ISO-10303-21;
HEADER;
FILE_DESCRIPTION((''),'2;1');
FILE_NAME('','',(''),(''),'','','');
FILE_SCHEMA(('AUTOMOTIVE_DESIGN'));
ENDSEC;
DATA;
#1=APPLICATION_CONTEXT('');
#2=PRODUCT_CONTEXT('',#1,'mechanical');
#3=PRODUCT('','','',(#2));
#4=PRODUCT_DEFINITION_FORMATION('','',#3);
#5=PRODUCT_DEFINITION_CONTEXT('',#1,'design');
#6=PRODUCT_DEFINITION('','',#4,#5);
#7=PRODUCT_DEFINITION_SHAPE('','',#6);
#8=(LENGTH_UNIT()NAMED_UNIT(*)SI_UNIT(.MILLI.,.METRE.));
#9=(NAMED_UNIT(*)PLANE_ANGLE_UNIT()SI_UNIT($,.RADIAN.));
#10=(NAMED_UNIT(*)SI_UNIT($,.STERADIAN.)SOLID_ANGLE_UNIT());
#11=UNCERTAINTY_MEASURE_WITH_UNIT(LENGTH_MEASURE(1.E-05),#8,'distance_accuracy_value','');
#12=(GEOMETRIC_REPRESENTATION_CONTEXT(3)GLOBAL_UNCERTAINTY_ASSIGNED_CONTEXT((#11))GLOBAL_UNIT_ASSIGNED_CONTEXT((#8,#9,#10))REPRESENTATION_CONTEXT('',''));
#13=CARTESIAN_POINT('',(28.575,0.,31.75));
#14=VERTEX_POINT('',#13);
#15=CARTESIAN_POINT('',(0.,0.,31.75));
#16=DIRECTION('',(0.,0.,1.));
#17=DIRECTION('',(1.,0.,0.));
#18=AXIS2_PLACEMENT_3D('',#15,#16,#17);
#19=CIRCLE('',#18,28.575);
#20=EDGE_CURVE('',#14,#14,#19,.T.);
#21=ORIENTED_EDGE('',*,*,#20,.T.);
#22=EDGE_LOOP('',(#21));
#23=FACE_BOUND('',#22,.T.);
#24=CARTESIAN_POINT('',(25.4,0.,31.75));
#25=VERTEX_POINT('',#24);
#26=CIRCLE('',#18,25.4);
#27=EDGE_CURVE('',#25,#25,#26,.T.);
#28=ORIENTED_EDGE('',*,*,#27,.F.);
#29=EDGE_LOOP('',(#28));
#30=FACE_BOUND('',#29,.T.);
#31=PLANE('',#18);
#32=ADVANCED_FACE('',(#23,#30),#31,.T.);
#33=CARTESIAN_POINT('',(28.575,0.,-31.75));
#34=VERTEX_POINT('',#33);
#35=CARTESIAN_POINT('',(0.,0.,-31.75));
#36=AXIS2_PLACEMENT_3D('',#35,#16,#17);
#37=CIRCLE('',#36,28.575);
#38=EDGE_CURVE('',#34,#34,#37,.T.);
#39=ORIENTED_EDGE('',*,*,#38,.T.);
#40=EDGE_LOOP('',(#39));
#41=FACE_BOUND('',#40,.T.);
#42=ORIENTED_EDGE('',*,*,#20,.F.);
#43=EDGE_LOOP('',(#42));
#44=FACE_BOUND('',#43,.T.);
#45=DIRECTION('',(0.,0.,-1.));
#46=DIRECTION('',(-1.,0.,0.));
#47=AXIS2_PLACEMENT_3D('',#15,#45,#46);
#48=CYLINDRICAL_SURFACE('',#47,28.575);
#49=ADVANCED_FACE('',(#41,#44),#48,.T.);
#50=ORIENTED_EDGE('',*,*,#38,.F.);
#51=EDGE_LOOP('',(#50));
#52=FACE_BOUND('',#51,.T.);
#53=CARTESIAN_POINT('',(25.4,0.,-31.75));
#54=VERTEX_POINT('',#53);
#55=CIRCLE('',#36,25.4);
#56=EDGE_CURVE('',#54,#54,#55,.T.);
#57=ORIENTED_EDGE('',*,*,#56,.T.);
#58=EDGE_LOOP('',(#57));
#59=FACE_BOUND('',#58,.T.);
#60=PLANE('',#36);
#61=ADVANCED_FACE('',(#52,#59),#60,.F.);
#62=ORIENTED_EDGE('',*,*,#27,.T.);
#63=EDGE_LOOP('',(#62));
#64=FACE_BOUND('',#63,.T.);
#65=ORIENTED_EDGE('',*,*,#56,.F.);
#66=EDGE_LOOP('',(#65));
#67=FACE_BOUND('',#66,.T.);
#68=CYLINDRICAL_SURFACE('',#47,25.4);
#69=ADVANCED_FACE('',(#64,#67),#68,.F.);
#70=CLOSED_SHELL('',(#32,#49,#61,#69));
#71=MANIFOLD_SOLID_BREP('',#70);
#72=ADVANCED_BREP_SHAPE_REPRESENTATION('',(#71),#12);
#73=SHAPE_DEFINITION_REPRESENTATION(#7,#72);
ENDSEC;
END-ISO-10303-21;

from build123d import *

# Parameters (mm, degrees)
SKETCH1_R      = 28.575
SKETCH1_R_2    = 25.4
EXTRUDE1_DEPTH = 31.75


with BuildPart() as part:
    # Sketch1 → Extrude1 (new body, symmetric)
    with BuildSketch(Plane.XY):
        Circle(SKETCH1_R)
        Circle(SKETCH1_R_2, mode=Mode.SUBTRACT)
    extrude(amount=EXTRUDE1_DEPTH, both=True)


solid = part.part
